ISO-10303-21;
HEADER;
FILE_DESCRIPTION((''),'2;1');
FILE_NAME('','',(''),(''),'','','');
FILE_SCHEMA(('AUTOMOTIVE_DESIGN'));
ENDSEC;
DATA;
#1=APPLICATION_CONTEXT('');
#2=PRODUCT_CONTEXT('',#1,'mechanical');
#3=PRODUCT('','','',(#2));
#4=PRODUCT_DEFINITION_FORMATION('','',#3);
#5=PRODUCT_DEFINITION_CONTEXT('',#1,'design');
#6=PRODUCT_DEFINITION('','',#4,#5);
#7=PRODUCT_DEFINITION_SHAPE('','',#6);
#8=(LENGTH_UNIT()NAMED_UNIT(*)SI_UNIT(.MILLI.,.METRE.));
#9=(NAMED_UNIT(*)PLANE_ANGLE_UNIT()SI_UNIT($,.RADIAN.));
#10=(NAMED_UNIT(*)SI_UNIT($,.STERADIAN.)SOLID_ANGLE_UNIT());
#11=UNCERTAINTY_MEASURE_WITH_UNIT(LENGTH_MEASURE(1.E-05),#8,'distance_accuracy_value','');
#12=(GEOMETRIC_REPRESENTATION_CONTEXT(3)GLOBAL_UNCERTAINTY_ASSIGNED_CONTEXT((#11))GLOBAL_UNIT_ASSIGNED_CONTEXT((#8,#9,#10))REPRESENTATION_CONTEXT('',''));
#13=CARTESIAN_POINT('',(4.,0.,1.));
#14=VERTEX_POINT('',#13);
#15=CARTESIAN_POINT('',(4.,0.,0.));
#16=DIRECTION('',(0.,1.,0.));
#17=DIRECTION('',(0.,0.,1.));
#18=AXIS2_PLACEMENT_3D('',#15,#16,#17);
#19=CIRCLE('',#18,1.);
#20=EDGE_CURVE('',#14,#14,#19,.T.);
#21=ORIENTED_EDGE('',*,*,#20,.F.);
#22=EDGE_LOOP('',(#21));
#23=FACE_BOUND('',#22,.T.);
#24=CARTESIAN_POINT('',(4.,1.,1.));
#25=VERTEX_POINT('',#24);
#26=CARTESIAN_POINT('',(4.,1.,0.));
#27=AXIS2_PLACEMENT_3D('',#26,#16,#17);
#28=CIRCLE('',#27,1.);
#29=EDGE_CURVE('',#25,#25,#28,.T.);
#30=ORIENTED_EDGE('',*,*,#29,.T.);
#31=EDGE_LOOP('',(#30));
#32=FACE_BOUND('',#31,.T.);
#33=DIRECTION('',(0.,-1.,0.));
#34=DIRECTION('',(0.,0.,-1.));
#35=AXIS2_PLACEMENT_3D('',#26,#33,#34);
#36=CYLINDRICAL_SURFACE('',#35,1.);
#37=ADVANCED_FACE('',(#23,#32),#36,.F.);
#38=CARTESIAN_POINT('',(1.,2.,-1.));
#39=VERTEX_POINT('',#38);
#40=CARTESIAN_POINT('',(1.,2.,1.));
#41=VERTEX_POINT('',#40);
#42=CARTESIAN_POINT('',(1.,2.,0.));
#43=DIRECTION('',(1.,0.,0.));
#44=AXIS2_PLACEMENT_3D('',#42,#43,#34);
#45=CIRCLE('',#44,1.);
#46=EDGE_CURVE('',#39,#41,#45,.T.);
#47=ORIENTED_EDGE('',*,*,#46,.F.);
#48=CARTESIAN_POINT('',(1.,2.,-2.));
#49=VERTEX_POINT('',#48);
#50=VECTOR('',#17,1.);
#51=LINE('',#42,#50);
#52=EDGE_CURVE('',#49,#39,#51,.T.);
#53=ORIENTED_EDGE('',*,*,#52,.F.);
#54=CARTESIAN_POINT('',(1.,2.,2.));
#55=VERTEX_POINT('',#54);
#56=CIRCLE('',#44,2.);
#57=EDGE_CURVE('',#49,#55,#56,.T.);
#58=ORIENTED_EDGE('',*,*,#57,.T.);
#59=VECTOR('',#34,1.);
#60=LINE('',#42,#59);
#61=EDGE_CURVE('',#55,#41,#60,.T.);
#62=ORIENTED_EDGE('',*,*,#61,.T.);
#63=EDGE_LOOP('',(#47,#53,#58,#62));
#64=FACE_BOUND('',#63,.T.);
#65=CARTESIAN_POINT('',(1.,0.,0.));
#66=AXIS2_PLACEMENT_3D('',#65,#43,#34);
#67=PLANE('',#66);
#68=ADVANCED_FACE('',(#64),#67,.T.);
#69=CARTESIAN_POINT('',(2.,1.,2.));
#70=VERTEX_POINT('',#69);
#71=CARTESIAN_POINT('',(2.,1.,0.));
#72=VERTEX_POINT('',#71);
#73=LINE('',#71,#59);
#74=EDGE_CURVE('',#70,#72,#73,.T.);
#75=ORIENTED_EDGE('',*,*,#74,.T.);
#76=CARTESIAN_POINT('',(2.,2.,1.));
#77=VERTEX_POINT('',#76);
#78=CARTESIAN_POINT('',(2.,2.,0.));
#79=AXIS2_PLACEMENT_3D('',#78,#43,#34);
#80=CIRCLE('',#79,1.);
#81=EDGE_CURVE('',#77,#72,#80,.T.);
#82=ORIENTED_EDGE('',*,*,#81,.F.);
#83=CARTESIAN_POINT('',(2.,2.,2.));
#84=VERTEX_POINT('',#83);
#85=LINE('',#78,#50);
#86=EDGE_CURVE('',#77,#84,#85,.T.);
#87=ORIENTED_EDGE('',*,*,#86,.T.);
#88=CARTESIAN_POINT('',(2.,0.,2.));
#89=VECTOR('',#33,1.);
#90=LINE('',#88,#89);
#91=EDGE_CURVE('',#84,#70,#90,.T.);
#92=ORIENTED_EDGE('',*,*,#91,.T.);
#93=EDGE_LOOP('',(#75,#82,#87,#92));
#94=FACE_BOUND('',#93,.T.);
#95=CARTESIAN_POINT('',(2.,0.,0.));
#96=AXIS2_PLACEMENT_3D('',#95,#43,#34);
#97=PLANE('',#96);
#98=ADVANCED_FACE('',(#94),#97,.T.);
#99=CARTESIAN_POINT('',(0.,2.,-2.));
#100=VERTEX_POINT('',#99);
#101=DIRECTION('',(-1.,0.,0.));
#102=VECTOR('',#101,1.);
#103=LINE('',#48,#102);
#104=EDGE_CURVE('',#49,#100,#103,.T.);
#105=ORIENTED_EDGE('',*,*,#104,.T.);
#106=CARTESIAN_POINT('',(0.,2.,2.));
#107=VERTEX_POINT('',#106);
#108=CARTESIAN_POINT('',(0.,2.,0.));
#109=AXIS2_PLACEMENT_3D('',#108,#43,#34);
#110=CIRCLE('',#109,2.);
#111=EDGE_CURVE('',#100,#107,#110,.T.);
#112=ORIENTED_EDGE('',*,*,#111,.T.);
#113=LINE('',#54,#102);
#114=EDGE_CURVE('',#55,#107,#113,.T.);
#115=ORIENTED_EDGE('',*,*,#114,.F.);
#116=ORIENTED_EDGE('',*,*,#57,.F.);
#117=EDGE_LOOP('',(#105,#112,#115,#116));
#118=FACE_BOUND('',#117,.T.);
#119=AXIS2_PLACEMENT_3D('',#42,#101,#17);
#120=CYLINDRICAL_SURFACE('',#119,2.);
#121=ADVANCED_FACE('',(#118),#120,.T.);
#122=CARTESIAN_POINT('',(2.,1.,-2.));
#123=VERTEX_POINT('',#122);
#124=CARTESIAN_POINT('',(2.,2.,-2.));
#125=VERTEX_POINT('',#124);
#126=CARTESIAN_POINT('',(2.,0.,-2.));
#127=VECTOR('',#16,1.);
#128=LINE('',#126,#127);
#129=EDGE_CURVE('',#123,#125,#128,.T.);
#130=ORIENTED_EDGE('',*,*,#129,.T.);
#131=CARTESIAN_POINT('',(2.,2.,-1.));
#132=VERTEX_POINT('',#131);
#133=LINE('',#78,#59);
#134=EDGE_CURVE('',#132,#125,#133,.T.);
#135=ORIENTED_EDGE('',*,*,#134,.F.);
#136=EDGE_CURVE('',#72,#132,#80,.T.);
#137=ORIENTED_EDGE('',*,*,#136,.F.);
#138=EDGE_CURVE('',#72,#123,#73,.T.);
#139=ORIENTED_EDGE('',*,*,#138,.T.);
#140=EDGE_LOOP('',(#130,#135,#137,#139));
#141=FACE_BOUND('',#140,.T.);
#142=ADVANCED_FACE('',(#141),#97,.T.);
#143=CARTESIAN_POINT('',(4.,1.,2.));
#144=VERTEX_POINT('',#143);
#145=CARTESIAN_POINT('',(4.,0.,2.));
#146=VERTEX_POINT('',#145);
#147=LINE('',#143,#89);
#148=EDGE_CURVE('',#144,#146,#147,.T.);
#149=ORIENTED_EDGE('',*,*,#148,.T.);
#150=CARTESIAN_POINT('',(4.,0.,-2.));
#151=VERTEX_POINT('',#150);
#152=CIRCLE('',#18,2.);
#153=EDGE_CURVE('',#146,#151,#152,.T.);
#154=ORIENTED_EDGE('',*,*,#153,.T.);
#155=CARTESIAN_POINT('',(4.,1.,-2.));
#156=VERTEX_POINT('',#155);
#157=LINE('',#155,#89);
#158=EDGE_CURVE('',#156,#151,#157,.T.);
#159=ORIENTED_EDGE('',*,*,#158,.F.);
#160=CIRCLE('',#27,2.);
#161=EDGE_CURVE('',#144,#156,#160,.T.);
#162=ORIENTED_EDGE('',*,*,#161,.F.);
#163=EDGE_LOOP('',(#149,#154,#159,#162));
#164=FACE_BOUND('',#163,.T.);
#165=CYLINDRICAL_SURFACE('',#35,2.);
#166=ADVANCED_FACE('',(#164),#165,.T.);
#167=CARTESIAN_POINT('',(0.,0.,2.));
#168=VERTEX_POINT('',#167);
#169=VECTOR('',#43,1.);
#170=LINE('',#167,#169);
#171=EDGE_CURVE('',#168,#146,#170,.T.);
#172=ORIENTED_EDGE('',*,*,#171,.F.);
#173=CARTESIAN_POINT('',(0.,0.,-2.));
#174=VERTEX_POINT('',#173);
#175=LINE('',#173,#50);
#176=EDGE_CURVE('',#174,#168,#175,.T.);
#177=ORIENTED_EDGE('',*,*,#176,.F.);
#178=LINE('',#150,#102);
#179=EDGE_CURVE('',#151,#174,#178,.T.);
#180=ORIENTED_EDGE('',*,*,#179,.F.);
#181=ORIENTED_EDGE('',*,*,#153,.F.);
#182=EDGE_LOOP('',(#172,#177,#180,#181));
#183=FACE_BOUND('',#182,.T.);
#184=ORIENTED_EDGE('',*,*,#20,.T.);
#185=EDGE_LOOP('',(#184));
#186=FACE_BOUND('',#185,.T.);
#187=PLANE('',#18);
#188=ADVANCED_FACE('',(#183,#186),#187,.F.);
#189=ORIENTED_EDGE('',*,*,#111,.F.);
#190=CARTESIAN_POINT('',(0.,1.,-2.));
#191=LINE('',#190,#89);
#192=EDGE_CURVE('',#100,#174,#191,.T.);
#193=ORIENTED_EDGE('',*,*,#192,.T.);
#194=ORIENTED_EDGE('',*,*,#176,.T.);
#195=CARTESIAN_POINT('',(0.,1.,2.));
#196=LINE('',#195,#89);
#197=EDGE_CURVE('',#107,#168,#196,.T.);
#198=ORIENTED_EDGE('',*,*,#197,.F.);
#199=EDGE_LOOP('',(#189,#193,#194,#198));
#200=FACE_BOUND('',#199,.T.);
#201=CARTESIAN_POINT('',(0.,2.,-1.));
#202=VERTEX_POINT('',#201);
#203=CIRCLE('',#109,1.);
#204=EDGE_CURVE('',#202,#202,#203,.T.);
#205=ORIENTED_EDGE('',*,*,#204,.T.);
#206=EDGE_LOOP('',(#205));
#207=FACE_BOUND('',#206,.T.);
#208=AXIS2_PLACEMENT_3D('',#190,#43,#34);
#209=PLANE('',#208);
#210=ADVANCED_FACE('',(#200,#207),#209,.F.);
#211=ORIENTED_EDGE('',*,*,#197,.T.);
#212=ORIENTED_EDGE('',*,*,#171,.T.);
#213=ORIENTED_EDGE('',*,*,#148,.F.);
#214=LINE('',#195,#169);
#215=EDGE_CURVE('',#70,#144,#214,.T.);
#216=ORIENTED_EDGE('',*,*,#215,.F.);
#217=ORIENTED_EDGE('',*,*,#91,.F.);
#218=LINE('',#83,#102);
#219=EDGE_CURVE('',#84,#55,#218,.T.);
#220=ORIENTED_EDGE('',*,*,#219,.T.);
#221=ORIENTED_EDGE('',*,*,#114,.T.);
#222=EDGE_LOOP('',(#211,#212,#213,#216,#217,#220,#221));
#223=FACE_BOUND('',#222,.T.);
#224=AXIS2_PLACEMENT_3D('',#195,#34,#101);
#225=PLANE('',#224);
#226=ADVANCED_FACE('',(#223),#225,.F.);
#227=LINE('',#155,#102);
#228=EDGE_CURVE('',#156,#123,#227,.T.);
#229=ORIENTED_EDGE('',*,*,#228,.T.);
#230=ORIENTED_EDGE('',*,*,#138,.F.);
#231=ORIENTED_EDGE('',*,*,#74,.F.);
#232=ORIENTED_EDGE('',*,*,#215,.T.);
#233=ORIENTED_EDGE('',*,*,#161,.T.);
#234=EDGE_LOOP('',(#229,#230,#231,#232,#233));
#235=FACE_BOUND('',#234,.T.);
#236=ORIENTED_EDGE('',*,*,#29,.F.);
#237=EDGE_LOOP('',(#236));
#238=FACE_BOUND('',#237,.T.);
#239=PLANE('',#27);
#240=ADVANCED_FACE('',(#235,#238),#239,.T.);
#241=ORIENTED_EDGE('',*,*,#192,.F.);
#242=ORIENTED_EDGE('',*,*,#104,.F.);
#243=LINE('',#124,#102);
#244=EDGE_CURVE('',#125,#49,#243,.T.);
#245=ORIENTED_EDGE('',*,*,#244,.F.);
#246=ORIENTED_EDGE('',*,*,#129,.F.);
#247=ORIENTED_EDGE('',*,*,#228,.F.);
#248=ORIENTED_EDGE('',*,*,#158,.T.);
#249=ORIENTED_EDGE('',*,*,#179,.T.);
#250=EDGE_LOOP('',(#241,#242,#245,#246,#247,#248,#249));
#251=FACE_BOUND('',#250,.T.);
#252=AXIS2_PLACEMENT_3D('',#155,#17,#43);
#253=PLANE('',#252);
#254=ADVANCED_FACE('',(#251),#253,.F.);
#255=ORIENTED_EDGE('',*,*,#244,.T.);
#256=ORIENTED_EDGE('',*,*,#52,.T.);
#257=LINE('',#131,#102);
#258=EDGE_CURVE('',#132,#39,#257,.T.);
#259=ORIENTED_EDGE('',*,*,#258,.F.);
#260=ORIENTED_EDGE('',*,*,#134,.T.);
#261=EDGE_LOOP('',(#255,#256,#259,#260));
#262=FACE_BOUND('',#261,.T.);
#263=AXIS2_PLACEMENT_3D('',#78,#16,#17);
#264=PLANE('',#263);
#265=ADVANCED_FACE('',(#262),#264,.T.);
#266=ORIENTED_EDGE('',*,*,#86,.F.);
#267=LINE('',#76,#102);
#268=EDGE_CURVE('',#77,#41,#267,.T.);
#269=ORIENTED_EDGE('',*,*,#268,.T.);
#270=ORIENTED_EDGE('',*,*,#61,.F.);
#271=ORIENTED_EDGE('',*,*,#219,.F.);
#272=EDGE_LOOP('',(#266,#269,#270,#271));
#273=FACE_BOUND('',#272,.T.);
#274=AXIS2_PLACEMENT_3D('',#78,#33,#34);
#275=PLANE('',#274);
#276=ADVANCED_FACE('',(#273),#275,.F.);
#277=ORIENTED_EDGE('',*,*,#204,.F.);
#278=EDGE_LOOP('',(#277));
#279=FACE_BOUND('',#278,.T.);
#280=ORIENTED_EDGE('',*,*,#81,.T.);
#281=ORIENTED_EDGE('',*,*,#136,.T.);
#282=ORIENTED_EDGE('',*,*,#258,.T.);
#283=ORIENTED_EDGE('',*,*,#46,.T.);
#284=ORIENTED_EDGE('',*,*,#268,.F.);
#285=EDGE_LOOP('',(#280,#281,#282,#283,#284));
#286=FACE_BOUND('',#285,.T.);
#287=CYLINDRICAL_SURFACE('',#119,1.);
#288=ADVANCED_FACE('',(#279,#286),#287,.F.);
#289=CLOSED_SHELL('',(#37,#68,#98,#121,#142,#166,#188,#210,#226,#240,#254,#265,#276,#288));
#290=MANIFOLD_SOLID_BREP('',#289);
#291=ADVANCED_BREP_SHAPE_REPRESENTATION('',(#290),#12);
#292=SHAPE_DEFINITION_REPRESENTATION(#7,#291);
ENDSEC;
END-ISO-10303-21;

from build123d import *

# Parameters (mm, degrees)
SKETCH_1_R      = 1
EXTRUDE_1_DEPTH = 1
SKETCH_2_R      = 1
EXTRUDE_3_DEPTH = 1
EXTRUDE_4_DEPTH = 2


with BuildPart() as part:
    # 草圖1 → 填料-伸長1 (new body)
    with BuildSketch(Plane(origin=(0, 0, 0), x_dir=(1, 0, 0), z_dir=(0, 1, 0))):
        with BuildLine():
            Line((4, 2), (0, 2))
            Line((0, 2), (0, -2))
            Line((0, -2), (4, -2))
            ThreePointArc((4, -2), (6, 0), (4, 2))
        make_face()
        with Locations((4, 0)):
            Circle(SKETCH_1_R, mode=Mode.SUBTRACT)
    extrude(amount=EXTRUDE_1_DEPTH)

    # 草圖2 → 填料-伸長3 (add)
    with BuildSketch(Plane(origin=(0, 0, 0), x_dir=(0, 0, -1), z_dir=(1, 0, 0))):
        with BuildLine():
            Line((-2, 2), (-2, 0))
            Line((-2, 0), (2, 0))
            Line((2, 0), (2, 2))
            ThreePointArc((2, 2), (0, 4), (-2, 2))
        make_face()
        with Locations((0, 2)):
            Circle(SKETCH_2_R, mode=Mode.SUBTRACT)
    extrude(amount=EXTRUDE_3_DEPTH)

    # 草圖2<4> → 填料-伸長4 (add)
    with BuildSketch(Plane(origin=(0, 0, 0), x_dir=(0, 0, -1), z_dir=(1, 0, 0))):
        with BuildLine():
            Line((-1, 2), (-2, 2))
            Line((-2, 2), (-2, 0))
            Line((-2, 0), (2, 0))
            Line((2, 0), (2, 2))
            Line((2, 2), (1, 2))
            ThreePointArc((1, 2), (0, 1), (-1, 2))
        make_face()
    extrude(amount=EXTRUDE_4_DEPTH)


solid = part.part
